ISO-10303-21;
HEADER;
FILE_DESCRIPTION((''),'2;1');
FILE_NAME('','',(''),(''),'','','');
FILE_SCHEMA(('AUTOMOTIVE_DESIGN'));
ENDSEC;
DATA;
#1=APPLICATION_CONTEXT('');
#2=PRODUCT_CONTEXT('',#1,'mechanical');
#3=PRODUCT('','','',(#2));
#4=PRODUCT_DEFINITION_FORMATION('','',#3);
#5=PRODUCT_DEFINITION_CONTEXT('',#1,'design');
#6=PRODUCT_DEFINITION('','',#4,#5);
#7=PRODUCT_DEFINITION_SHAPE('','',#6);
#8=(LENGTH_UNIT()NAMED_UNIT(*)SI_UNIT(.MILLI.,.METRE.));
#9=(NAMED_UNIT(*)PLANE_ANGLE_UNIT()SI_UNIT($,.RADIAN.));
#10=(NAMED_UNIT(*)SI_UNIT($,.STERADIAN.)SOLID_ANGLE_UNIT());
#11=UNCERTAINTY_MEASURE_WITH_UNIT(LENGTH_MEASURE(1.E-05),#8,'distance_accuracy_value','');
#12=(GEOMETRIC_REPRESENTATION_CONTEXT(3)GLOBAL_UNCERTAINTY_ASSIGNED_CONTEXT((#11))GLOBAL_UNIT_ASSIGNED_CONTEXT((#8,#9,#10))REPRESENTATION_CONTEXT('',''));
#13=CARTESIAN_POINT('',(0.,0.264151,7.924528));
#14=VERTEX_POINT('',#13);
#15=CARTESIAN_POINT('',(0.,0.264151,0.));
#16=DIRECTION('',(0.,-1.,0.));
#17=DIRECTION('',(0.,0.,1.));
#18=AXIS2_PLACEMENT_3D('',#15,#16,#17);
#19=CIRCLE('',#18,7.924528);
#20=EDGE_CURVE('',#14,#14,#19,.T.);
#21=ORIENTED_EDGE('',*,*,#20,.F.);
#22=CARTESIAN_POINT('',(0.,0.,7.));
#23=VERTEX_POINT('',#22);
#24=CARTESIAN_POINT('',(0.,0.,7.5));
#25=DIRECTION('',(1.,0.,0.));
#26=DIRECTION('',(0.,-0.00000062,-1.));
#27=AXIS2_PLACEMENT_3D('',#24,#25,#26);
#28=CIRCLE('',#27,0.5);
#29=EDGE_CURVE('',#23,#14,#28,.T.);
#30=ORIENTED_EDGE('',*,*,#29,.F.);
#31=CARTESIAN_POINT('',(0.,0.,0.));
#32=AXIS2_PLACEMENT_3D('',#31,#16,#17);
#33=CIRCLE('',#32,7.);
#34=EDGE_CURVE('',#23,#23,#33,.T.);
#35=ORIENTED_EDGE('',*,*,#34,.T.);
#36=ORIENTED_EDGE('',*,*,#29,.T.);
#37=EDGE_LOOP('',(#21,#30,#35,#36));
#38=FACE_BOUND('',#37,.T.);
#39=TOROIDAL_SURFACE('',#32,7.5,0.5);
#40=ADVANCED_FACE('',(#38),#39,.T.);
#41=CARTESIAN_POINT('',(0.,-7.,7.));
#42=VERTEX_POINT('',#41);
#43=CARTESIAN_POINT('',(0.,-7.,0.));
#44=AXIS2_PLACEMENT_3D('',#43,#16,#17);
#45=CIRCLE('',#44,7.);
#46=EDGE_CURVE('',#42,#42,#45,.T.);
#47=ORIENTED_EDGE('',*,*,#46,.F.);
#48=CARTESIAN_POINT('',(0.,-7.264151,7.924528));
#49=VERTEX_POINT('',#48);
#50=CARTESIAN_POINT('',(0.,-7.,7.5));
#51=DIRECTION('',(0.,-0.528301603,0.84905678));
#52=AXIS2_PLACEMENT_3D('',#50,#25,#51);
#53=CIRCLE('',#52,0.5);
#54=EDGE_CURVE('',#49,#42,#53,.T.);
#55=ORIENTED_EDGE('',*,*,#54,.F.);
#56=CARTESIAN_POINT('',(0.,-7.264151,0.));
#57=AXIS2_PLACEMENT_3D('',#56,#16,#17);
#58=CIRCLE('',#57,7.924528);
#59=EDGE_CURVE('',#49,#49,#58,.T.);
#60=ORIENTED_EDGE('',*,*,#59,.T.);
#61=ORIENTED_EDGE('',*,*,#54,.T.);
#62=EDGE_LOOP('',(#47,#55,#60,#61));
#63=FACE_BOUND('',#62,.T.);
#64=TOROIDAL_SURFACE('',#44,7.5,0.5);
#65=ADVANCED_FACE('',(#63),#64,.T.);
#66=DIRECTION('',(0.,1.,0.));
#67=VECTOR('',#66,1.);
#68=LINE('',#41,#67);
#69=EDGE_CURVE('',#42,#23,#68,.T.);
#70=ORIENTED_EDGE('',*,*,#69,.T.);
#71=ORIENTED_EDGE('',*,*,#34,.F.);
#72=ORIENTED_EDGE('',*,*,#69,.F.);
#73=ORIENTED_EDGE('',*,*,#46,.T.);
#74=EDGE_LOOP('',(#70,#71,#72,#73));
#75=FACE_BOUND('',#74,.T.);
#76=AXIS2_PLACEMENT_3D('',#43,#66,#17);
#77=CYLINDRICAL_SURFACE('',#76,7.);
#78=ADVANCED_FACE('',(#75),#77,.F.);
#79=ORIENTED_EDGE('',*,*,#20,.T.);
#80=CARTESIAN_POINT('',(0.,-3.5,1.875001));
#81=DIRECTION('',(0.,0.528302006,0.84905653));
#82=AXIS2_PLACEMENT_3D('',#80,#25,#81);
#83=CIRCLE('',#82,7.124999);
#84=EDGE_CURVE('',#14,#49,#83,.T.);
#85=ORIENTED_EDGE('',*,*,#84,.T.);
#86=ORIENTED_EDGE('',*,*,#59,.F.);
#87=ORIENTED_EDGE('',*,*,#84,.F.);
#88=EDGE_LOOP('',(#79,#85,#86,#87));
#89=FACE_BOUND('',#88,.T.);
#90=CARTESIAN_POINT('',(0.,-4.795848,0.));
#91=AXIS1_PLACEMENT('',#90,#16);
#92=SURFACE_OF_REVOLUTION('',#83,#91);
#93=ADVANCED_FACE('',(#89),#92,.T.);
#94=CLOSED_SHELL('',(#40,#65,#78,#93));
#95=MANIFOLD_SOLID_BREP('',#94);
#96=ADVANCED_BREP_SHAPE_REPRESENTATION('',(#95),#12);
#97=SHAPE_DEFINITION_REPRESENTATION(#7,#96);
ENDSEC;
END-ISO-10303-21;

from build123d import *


with BuildPart() as f1:
    # F0 (on Right) → F1 (revolve)
    with BuildSketch(Plane.YZ):
        with BuildLine():
            ThreePointArc((0, 7), (0.480762, 7.362639), (0.264151, 7.924528))
            ThreePointArc((0.264151, 7.924528), (-3.5, 9), (-7.264151, 7.924528))
            ThreePointArc((-7.264151, 7.924528), (-7.480762, 7.362639), (-7, 7))
            Line((-7, 7), (0, 7))
        make_face()
    revolve(axis=Axis((0, -4.795848, 0), (0, -1, 0)))


solid = f1.part
